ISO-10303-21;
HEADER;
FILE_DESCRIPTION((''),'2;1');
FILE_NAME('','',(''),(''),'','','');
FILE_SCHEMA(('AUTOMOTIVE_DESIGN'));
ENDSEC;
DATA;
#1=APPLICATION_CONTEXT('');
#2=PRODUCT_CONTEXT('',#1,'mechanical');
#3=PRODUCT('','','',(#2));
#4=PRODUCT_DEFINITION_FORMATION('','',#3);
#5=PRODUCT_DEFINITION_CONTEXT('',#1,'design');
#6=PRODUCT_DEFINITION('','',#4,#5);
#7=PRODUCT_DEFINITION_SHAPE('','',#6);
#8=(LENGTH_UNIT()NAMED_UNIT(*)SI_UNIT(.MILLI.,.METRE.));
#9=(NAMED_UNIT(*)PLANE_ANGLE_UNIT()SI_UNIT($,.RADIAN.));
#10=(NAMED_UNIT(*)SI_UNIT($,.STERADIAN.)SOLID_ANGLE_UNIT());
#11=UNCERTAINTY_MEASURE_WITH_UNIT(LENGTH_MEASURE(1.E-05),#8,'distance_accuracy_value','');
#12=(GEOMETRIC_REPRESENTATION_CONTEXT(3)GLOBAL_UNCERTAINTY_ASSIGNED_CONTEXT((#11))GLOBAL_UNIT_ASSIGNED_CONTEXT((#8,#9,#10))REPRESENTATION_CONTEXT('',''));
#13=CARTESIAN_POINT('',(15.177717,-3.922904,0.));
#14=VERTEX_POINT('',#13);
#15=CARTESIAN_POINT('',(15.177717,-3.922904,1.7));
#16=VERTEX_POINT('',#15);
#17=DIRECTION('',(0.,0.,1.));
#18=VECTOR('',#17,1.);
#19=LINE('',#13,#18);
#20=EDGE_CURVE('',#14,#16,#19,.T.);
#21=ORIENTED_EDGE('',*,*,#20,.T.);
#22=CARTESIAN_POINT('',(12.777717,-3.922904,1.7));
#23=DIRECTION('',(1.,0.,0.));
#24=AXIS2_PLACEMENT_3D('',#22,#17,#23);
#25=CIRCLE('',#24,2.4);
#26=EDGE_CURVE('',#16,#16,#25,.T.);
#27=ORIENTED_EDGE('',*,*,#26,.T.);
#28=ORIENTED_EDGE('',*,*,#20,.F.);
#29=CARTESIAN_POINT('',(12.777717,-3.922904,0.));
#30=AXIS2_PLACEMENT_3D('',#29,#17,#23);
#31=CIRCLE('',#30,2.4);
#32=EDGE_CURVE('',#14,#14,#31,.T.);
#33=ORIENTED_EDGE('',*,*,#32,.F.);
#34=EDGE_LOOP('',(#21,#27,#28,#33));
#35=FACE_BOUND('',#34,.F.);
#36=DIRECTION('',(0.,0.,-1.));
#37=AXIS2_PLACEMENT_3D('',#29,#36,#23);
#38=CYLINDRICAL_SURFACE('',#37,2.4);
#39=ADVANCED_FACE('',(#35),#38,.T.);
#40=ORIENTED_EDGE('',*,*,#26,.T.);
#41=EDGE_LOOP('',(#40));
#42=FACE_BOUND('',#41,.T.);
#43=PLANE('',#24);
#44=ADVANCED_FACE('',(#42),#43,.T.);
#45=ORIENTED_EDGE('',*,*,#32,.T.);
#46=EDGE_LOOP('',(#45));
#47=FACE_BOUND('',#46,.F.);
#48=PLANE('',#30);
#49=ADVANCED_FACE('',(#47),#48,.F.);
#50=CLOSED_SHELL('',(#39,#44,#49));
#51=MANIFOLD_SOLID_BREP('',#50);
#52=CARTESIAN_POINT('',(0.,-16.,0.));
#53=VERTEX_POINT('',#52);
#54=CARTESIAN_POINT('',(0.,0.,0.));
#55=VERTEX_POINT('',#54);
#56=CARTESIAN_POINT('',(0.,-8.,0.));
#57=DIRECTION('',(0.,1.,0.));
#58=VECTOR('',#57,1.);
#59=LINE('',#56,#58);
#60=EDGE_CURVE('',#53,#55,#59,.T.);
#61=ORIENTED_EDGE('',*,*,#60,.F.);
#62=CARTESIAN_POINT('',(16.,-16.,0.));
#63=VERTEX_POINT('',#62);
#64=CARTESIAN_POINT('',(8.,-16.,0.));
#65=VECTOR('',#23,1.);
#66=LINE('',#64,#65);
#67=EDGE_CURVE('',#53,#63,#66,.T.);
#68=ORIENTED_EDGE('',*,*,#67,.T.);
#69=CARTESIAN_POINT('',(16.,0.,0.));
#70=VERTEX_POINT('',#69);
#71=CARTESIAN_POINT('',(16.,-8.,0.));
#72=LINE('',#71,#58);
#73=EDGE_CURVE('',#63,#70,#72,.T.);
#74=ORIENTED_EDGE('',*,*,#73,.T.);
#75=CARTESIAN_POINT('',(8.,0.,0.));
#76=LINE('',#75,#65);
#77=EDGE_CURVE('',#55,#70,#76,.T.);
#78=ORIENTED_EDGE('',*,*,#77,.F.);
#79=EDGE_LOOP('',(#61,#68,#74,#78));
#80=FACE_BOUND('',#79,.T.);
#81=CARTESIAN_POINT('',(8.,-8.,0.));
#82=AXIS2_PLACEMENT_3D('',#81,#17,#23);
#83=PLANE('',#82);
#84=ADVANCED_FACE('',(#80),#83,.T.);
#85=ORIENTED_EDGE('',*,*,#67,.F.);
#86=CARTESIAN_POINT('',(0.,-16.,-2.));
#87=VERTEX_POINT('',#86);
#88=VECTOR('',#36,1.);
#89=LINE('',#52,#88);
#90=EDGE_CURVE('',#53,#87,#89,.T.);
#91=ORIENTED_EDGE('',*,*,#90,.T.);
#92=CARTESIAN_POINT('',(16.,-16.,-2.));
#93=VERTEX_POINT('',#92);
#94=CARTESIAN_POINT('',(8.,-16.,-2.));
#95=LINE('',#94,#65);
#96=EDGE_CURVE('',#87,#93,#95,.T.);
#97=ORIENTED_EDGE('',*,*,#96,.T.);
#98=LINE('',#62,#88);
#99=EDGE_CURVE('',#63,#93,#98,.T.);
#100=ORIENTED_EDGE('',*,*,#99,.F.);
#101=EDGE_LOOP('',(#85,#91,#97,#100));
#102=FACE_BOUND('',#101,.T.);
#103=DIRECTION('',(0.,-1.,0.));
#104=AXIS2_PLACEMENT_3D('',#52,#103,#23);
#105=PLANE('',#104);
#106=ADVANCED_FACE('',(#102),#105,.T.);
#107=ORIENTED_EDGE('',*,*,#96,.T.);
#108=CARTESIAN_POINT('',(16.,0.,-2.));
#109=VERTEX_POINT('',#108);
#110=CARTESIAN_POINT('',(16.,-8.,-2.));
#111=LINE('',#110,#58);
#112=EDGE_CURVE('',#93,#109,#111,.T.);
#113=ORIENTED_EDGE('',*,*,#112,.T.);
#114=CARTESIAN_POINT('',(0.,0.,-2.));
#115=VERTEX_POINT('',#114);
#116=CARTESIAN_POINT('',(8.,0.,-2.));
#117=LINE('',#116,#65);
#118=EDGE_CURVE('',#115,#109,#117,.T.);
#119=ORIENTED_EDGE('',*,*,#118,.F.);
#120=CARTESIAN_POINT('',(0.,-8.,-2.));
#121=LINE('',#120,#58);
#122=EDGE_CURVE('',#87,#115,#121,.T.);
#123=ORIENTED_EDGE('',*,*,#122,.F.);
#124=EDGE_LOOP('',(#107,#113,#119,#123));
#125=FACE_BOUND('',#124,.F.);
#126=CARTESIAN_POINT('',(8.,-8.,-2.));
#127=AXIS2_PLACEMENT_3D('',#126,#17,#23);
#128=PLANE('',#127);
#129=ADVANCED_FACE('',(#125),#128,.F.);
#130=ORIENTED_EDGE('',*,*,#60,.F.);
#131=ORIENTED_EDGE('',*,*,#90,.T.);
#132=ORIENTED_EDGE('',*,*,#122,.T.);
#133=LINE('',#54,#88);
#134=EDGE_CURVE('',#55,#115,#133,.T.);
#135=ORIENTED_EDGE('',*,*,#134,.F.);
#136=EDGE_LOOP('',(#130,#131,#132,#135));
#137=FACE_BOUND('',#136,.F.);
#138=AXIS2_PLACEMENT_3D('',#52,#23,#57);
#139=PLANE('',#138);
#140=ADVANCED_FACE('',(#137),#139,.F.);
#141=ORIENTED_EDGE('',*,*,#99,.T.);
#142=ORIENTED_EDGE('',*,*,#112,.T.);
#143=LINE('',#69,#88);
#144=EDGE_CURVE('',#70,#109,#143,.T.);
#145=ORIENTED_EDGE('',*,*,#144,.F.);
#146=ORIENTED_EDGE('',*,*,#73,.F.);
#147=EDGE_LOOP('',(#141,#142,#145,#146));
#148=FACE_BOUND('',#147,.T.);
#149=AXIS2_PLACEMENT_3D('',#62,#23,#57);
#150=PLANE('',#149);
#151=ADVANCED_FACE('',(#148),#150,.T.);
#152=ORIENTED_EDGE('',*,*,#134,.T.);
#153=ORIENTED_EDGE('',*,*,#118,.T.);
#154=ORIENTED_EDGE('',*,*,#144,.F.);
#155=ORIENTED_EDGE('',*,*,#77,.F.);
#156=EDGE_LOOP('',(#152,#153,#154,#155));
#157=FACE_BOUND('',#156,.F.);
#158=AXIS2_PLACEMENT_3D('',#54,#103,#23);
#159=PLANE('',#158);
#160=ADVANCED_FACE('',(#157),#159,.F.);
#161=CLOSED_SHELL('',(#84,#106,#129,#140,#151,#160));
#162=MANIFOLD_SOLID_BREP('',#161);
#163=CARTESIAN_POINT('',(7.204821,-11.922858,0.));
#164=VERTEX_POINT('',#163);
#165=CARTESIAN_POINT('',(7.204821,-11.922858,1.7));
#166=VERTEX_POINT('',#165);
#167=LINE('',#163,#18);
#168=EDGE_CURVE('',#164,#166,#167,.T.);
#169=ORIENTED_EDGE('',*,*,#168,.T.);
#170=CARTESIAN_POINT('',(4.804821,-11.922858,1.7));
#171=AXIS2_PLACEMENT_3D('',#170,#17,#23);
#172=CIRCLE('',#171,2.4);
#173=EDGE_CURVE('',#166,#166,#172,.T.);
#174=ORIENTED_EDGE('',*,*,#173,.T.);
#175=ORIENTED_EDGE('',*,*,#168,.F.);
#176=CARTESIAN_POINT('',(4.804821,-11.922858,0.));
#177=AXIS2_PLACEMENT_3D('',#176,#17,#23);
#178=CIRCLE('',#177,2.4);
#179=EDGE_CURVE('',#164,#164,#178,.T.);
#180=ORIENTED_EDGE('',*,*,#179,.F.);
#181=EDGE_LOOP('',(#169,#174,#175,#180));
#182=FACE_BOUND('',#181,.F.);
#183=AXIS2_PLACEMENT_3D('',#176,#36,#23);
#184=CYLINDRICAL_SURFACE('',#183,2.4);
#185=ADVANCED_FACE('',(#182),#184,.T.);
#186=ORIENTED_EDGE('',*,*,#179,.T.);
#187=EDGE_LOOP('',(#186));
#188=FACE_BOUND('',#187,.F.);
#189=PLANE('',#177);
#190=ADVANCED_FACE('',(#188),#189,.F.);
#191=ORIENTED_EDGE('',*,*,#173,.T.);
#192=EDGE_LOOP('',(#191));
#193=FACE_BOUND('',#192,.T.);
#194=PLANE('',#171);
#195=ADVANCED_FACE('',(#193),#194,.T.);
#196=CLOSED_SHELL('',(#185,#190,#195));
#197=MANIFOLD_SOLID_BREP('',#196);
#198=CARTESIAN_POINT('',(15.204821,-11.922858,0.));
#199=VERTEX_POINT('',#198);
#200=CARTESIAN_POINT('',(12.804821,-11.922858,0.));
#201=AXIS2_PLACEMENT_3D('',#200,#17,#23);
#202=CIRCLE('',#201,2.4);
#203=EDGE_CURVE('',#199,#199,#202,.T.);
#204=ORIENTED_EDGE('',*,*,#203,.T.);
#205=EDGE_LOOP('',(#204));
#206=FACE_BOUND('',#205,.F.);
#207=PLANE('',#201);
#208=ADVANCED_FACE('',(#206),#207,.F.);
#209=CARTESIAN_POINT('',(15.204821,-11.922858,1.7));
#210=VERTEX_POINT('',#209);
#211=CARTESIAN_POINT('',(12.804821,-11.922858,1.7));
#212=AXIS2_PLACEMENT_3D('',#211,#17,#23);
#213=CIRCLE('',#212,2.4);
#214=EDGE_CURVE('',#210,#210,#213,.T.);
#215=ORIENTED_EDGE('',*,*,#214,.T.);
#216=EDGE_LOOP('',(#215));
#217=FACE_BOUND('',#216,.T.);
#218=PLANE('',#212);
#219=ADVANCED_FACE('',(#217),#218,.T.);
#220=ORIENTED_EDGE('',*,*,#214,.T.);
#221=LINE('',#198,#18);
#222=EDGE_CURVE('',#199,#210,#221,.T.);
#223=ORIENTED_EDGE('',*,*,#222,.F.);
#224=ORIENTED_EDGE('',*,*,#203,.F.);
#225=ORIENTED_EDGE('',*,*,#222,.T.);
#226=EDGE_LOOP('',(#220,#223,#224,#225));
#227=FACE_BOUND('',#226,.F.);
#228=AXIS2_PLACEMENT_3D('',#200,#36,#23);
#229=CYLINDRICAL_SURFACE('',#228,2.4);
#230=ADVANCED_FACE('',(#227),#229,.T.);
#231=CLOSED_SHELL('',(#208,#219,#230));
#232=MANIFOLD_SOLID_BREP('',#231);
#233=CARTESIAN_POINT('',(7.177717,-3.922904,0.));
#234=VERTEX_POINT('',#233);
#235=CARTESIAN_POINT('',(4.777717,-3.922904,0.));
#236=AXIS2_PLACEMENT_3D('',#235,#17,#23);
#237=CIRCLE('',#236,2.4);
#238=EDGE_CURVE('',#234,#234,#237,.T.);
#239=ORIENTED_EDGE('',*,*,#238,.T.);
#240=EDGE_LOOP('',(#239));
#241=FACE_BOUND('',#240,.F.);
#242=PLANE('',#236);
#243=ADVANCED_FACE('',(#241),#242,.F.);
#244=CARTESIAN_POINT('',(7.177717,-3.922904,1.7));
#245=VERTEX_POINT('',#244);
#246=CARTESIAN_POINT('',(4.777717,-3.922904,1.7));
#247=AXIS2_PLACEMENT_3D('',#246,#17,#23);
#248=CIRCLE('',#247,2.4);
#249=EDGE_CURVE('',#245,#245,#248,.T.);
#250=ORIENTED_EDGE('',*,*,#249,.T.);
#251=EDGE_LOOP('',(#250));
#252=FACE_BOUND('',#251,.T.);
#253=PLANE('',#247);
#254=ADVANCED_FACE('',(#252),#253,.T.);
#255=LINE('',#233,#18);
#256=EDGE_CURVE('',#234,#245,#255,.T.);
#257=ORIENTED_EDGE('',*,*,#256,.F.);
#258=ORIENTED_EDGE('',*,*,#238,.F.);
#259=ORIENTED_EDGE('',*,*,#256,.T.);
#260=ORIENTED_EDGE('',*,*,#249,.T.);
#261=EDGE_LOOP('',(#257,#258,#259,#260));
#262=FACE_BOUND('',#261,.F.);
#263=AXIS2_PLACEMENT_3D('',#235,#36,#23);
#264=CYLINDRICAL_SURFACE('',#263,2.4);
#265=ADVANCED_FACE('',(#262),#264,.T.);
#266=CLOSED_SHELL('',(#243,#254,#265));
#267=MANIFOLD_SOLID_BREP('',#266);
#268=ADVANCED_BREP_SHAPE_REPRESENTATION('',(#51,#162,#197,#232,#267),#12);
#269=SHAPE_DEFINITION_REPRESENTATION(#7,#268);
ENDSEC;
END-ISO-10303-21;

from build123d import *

# Parameters (mm, degrees)
F0_R     = 2.4
F1_DEPTH = 1.7
F0_W     = 16
F0_H     = 16
F2_DEPTH = 2


with BuildPart() as f1:
    # F0 (on Top) → F1 (new body)
    with BuildSketch(Plane.XY):
        with Locations((12.804821, -11.922858)):
            Circle(F0_R)
        with Locations((12.777717, -3.922904)):
            Circle(F0_R)
        with Locations((4.777717, -3.922904)):
            Circle(F0_R)
        with Locations((4.804821, -11.922858)):
            Circle(F0_R)
    extrude(amount=F1_DEPTH)


with BuildPart() as f2:
    # F0 (on Top) → F2 (new body)
    with BuildSketch(Plane.XY):
        with Locations((8, -8)):
            Rectangle(F0_W, F0_H)
        with Locations((4.804821, -11.922858)):
            Circle(F0_R, mode=Mode.SUBTRACT)
        with Locations((12.804821, -11.922858)):
            Circle(F0_R, mode=Mode.SUBTRACT)
        with Locations((4.777717, -3.922904)):
            Circle(F0_R, mode=Mode.SUBTRACT)
        with Locations((12.777717, -3.922904)):
            Circle(F0_R, mode=Mode.SUBTRACT)
        with Locations((12.777717, -3.922904)):
            Circle(F0_R)
        with Locations((12.804821, -11.922858)):
            Circle(F0_R)
        with Locations((4.804821, -11.922858)):
            Circle(F0_R)
        with Locations((4.777717, -3.922904)):
            Circle(F0_R)
    extrude(amount=-F2_DEPTH)


solid = Compound([f1.part, f2.part])
